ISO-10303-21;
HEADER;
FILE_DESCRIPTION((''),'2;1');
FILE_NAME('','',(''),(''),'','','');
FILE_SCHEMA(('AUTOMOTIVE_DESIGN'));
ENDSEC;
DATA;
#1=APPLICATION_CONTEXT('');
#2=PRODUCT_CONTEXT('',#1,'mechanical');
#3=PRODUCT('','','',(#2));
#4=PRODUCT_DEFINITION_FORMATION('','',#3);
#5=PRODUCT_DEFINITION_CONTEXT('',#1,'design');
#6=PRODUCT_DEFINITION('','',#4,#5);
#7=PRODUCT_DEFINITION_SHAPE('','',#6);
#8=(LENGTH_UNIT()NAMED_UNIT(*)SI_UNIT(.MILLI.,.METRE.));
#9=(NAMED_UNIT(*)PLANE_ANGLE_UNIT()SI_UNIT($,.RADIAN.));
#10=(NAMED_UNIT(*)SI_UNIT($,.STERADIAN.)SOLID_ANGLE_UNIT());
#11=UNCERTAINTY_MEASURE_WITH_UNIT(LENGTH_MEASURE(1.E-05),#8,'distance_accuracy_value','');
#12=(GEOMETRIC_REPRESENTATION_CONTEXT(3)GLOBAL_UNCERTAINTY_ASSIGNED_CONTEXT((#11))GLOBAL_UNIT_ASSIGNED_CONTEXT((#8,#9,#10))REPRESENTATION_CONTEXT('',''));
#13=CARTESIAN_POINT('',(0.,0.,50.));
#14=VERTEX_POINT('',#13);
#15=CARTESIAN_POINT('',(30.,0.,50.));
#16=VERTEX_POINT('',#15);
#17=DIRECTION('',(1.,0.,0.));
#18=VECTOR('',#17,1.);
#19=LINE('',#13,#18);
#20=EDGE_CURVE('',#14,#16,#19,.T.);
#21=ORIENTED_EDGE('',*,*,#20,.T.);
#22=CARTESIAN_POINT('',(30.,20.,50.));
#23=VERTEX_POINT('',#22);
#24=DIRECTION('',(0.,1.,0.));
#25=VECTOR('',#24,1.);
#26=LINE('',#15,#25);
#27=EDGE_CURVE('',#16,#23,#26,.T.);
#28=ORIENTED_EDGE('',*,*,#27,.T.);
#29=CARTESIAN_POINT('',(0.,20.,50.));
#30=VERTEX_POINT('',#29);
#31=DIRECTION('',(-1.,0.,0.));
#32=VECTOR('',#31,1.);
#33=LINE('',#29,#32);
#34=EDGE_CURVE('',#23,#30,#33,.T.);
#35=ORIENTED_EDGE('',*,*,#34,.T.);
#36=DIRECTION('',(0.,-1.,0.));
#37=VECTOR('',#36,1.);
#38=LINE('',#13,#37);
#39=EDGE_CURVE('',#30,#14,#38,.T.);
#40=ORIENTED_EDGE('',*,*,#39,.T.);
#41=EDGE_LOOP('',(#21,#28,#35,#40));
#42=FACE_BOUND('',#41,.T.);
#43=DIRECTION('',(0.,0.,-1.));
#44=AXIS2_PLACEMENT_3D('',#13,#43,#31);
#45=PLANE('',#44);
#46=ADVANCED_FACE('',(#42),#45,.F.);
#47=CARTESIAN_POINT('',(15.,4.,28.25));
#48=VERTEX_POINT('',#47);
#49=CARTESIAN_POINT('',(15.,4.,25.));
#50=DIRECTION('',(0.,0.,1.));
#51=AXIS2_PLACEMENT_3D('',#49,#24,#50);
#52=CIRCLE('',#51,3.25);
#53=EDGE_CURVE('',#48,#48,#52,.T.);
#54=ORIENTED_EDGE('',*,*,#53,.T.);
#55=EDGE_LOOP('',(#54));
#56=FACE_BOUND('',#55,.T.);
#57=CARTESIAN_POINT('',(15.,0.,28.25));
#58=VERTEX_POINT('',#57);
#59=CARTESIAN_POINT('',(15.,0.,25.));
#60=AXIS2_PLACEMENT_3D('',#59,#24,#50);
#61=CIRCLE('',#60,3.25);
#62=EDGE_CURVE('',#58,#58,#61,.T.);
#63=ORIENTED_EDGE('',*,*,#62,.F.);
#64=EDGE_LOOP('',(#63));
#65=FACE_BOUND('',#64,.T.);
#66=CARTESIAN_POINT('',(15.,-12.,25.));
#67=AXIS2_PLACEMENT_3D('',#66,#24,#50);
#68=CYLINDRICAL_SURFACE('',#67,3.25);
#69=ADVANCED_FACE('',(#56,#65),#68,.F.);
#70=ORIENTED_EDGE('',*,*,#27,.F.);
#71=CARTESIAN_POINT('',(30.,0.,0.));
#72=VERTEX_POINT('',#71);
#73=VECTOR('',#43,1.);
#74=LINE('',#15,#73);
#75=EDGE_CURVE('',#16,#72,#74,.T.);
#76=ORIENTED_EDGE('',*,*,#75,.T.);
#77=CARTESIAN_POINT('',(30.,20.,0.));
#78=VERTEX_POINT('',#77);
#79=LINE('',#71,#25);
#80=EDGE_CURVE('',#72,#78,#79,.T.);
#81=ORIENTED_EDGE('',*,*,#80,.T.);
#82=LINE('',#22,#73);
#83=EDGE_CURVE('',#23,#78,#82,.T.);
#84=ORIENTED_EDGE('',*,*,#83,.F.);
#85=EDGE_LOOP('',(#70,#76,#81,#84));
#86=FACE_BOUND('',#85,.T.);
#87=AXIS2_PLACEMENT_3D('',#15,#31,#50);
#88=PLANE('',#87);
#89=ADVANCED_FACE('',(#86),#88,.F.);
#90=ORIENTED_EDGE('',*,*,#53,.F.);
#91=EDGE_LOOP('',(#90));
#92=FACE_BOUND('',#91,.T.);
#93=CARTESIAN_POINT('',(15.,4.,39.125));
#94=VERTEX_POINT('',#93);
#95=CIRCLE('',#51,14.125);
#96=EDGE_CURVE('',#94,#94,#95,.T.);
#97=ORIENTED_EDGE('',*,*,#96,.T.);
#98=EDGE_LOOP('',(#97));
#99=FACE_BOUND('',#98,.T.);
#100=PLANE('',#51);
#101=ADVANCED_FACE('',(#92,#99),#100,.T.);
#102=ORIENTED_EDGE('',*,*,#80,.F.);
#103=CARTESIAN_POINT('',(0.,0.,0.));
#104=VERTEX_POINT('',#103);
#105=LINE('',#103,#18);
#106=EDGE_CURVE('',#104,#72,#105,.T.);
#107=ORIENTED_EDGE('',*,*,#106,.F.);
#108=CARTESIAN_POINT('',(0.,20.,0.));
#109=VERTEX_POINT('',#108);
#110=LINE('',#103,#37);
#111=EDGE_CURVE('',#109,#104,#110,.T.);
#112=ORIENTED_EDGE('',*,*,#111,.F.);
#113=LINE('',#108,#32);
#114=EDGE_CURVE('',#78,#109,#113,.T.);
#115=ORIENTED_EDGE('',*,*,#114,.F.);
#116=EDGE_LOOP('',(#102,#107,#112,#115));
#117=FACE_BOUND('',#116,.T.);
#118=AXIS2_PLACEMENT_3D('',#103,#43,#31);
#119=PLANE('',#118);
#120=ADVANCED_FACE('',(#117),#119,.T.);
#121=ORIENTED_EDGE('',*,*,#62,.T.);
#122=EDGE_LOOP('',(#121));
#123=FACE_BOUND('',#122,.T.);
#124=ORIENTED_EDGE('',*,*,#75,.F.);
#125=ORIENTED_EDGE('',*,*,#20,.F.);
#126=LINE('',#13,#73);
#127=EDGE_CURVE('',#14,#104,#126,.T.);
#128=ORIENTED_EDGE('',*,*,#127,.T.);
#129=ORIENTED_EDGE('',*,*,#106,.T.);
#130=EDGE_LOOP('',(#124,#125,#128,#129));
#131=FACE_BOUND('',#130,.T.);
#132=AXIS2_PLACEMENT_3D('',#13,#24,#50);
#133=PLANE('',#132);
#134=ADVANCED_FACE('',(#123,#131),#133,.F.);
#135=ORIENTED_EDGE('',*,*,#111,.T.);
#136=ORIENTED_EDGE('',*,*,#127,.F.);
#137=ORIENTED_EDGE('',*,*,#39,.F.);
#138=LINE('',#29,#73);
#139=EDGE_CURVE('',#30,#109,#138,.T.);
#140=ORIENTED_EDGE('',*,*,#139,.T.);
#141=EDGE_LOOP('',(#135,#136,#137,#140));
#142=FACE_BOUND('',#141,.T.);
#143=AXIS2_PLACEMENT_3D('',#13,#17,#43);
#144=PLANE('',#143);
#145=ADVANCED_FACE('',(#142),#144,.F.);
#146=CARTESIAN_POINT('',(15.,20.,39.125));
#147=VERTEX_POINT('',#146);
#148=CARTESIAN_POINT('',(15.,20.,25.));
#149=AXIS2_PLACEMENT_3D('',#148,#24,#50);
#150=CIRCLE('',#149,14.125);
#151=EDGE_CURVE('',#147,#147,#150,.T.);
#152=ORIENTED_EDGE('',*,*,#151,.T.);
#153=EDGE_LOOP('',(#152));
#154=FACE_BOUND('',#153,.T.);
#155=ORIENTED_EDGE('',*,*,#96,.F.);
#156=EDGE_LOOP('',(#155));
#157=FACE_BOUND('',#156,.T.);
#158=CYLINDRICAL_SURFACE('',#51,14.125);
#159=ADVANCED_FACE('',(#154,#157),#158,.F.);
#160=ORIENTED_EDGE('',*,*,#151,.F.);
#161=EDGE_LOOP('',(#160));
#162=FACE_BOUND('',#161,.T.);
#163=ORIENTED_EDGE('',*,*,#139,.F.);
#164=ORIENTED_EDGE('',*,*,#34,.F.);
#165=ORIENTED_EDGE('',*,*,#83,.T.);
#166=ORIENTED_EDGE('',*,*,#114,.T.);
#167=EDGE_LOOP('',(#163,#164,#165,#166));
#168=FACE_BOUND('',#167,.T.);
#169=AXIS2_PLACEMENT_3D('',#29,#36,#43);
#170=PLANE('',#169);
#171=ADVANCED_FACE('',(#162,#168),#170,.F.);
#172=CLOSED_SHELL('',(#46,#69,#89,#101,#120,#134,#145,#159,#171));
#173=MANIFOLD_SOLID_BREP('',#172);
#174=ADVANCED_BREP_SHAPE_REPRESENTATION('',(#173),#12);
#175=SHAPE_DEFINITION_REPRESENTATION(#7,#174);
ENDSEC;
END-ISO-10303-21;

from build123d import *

# Parameters (mm, degrees)
SKETCH2_W           = 30
SKETCH2_H           = 20
BOSS_EXTRUDE1_DEPTH = 50
SKETCH3_R           = 14.125
CUT_EXTRUDE1_DEPTH  = 16
SKETCH4_R           = 3.25
CUT_EXTRUDE2_DEPTH  = 16


with BuildPart() as part:
    # Sketch2 → Boss-Extrude1 (new body)
    with BuildSketch(Plane.XY):
        with Locations((15, 10)):
            Rectangle(SKETCH2_W, SKETCH2_H)
    extrude(amount=BOSS_EXTRUDE1_DEPTH)

    # Sketch3 → Cut-Extrude1 (cut)
    with BuildSketch(Plane(origin=(0, 20, 0), x_dir=(1, 0, 0), z_dir=(0, 1, 0))):
        with Locations(Location((15, -25, 0), (0, 0, 270))):
            Circle(SKETCH3_R)
    extrude(amount=-CUT_EXTRUDE1_DEPTH, mode=Mode.SUBTRACT)

    # Sketch4 → Cut-Extrude2 (cut)
    with BuildSketch(Plane(origin=(0, 4, 0), x_dir=(1, 0, 0), z_dir=(0, 1, 0))):
        with Locations(Location((15, -25, 0), (0, 0, 270))):
            Circle(SKETCH4_R)
    extrude(amount=-CUT_EXTRUDE2_DEPTH, mode=Mode.SUBTRACT)


solid = part.part
